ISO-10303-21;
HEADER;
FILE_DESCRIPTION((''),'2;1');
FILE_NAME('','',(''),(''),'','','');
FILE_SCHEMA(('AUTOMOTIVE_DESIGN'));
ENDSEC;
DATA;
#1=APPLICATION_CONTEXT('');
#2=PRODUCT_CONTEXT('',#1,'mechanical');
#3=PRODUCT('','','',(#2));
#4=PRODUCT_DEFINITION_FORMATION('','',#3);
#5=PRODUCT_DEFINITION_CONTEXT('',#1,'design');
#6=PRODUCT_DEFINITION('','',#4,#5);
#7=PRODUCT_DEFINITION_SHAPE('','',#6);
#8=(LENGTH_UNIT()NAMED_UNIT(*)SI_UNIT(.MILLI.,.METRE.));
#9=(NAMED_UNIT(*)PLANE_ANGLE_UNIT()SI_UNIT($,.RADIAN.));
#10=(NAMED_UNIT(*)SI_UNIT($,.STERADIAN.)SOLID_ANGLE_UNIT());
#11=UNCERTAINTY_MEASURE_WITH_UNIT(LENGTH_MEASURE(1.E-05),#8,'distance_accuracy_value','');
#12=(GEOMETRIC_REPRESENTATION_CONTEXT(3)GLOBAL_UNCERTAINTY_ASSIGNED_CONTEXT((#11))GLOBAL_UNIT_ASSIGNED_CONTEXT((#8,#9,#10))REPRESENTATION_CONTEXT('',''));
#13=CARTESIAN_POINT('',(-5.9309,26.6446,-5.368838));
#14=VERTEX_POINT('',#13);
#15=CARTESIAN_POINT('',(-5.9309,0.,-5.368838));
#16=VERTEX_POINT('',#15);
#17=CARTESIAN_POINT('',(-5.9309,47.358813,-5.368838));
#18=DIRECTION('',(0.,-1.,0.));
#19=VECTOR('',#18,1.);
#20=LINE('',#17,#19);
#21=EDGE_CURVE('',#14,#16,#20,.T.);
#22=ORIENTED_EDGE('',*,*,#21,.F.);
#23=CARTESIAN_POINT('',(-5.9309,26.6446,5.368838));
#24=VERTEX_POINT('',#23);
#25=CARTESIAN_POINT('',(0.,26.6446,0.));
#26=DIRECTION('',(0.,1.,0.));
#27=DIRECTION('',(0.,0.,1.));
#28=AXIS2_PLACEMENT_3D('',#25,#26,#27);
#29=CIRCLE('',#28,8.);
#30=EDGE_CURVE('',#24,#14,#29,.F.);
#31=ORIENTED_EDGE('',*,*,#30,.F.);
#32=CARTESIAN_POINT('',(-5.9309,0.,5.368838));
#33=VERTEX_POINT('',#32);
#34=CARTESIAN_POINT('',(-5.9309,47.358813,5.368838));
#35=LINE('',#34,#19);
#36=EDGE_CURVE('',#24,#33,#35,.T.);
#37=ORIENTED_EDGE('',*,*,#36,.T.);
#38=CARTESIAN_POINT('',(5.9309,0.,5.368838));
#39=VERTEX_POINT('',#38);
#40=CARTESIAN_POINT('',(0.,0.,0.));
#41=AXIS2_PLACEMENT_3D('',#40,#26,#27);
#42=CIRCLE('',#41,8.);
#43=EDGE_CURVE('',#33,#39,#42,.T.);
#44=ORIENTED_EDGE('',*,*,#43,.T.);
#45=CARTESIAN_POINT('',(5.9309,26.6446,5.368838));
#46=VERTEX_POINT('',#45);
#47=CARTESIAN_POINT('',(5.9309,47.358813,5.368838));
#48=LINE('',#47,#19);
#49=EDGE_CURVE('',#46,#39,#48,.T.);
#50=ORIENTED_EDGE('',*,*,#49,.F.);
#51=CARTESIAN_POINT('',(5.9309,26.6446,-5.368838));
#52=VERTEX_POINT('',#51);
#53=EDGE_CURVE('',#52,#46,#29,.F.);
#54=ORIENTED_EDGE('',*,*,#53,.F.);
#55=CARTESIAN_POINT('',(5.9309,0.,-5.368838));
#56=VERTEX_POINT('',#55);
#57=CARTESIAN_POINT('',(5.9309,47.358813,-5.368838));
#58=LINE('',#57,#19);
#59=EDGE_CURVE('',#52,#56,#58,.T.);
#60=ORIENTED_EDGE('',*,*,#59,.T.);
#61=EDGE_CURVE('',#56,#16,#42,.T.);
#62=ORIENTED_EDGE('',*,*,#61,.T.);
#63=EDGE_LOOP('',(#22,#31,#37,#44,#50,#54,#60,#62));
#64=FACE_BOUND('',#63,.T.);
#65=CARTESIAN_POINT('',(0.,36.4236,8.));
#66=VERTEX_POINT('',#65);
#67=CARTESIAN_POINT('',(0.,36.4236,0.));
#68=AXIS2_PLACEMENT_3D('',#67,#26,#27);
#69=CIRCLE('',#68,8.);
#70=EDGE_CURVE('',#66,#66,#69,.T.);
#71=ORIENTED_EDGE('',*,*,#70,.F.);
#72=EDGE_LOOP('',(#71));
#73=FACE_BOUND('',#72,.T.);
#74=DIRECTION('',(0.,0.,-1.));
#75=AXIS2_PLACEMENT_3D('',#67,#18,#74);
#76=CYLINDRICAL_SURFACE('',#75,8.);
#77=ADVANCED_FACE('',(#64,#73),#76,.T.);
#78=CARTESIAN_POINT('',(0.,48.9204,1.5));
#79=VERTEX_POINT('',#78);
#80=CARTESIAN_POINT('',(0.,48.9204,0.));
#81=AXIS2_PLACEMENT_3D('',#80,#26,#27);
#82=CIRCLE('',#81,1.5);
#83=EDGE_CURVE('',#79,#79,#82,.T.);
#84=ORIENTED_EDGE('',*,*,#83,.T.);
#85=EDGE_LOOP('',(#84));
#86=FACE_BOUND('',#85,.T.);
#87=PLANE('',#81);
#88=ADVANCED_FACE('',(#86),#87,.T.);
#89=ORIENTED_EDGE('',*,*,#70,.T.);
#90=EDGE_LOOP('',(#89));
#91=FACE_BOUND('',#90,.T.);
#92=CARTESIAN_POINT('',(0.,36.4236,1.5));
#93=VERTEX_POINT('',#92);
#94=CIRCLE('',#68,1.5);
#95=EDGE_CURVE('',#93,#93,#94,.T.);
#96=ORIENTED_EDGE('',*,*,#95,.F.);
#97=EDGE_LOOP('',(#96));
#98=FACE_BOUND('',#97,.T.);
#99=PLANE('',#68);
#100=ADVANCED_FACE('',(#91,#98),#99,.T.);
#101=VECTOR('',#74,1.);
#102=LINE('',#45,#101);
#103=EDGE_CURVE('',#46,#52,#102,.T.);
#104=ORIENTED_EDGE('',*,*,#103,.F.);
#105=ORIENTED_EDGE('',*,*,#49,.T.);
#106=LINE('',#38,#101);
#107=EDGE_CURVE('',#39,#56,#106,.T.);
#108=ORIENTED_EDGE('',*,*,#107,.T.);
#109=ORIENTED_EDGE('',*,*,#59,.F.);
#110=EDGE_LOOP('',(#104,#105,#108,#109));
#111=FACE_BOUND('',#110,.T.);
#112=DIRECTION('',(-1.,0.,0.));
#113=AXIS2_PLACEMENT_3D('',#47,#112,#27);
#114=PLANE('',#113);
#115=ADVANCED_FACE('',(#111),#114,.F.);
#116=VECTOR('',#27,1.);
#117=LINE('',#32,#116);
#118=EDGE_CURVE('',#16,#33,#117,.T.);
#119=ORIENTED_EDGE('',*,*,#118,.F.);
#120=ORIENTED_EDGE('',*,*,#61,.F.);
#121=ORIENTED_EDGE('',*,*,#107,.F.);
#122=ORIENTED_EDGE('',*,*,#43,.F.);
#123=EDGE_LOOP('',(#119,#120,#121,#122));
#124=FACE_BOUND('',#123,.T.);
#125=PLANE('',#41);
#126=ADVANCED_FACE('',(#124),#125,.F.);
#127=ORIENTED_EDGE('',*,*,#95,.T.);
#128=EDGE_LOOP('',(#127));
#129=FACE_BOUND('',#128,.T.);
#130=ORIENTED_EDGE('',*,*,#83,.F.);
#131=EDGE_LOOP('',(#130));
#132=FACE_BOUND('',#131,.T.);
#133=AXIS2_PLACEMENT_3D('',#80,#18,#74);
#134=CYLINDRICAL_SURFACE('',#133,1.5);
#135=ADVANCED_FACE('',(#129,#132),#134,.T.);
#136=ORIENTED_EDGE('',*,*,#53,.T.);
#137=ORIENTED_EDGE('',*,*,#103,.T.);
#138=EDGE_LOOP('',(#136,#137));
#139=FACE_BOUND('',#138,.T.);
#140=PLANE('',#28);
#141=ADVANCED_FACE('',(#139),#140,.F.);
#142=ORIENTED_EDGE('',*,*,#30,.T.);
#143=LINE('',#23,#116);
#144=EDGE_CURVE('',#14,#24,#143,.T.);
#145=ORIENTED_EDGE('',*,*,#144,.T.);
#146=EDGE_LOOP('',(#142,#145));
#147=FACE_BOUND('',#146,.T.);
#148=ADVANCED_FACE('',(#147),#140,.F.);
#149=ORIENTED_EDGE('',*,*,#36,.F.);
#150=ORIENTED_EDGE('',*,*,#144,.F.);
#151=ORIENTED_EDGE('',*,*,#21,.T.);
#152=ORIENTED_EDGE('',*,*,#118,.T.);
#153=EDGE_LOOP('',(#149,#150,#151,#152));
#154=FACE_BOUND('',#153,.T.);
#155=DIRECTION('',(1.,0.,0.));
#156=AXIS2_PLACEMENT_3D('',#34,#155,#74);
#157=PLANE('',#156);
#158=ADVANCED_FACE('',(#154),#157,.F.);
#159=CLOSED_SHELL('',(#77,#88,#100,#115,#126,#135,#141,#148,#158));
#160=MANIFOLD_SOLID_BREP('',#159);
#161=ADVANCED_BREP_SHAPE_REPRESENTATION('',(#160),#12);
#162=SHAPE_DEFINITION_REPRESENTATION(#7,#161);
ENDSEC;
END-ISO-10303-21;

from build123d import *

# Parameters (mm, degrees)
SKETCH1_R           = 8
BOSS_EXTRUDE1_DEPTH = 36.4236
CUT_EXTRUDE1_DEPTH  = 26.6446
SKETCH3_R           = 1.5
BOSS_EXTRUDE2_DEPTH = 12.4968


with BuildPart() as part:
    # Sketch1 → Boss-Extrude1 (new body)
    with BuildSketch(Plane(origin=(0, 0, 0), x_dir=(1, 0, 0), z_dir=(0, 1, 0))):
        Circle(SKETCH1_R)
    extrude(amount=BOSS_EXTRUDE1_DEPTH)

    # Sketch2 → Cut-Extrude1 (cut)
    with BuildSketch(Plane.XZ):
        with BuildLine():
            Line((5.9309, 5.368838346), (5.9309, -5.368838346))
            ThreePointArc((5.9309, -5.368838346), (8, 0), (5.9309, 5.368838346))
        make_face()
        with BuildLine():
            Line((-5.9309, 5.368838346), (-5.9309, -5.368838346))
            ThreePointArc((-5.9309, -5.368838346), (-8, 0), (-5.9309, 5.368838346))
        make_face()
    extrude(amount=-CUT_EXTRUDE1_DEPTH, mode=Mode.SUBTRACT)

    # Sketch3 → Boss-Extrude2 (add)
    with BuildSketch(Plane(origin=(0, 36.4236, 0), x_dir=(1, 0, 0), z_dir=(0, 1, 0))):
        Circle(SKETCH3_R)
    extrude(amount=BOSS_EXTRUDE2_DEPTH)


solid = part.part
